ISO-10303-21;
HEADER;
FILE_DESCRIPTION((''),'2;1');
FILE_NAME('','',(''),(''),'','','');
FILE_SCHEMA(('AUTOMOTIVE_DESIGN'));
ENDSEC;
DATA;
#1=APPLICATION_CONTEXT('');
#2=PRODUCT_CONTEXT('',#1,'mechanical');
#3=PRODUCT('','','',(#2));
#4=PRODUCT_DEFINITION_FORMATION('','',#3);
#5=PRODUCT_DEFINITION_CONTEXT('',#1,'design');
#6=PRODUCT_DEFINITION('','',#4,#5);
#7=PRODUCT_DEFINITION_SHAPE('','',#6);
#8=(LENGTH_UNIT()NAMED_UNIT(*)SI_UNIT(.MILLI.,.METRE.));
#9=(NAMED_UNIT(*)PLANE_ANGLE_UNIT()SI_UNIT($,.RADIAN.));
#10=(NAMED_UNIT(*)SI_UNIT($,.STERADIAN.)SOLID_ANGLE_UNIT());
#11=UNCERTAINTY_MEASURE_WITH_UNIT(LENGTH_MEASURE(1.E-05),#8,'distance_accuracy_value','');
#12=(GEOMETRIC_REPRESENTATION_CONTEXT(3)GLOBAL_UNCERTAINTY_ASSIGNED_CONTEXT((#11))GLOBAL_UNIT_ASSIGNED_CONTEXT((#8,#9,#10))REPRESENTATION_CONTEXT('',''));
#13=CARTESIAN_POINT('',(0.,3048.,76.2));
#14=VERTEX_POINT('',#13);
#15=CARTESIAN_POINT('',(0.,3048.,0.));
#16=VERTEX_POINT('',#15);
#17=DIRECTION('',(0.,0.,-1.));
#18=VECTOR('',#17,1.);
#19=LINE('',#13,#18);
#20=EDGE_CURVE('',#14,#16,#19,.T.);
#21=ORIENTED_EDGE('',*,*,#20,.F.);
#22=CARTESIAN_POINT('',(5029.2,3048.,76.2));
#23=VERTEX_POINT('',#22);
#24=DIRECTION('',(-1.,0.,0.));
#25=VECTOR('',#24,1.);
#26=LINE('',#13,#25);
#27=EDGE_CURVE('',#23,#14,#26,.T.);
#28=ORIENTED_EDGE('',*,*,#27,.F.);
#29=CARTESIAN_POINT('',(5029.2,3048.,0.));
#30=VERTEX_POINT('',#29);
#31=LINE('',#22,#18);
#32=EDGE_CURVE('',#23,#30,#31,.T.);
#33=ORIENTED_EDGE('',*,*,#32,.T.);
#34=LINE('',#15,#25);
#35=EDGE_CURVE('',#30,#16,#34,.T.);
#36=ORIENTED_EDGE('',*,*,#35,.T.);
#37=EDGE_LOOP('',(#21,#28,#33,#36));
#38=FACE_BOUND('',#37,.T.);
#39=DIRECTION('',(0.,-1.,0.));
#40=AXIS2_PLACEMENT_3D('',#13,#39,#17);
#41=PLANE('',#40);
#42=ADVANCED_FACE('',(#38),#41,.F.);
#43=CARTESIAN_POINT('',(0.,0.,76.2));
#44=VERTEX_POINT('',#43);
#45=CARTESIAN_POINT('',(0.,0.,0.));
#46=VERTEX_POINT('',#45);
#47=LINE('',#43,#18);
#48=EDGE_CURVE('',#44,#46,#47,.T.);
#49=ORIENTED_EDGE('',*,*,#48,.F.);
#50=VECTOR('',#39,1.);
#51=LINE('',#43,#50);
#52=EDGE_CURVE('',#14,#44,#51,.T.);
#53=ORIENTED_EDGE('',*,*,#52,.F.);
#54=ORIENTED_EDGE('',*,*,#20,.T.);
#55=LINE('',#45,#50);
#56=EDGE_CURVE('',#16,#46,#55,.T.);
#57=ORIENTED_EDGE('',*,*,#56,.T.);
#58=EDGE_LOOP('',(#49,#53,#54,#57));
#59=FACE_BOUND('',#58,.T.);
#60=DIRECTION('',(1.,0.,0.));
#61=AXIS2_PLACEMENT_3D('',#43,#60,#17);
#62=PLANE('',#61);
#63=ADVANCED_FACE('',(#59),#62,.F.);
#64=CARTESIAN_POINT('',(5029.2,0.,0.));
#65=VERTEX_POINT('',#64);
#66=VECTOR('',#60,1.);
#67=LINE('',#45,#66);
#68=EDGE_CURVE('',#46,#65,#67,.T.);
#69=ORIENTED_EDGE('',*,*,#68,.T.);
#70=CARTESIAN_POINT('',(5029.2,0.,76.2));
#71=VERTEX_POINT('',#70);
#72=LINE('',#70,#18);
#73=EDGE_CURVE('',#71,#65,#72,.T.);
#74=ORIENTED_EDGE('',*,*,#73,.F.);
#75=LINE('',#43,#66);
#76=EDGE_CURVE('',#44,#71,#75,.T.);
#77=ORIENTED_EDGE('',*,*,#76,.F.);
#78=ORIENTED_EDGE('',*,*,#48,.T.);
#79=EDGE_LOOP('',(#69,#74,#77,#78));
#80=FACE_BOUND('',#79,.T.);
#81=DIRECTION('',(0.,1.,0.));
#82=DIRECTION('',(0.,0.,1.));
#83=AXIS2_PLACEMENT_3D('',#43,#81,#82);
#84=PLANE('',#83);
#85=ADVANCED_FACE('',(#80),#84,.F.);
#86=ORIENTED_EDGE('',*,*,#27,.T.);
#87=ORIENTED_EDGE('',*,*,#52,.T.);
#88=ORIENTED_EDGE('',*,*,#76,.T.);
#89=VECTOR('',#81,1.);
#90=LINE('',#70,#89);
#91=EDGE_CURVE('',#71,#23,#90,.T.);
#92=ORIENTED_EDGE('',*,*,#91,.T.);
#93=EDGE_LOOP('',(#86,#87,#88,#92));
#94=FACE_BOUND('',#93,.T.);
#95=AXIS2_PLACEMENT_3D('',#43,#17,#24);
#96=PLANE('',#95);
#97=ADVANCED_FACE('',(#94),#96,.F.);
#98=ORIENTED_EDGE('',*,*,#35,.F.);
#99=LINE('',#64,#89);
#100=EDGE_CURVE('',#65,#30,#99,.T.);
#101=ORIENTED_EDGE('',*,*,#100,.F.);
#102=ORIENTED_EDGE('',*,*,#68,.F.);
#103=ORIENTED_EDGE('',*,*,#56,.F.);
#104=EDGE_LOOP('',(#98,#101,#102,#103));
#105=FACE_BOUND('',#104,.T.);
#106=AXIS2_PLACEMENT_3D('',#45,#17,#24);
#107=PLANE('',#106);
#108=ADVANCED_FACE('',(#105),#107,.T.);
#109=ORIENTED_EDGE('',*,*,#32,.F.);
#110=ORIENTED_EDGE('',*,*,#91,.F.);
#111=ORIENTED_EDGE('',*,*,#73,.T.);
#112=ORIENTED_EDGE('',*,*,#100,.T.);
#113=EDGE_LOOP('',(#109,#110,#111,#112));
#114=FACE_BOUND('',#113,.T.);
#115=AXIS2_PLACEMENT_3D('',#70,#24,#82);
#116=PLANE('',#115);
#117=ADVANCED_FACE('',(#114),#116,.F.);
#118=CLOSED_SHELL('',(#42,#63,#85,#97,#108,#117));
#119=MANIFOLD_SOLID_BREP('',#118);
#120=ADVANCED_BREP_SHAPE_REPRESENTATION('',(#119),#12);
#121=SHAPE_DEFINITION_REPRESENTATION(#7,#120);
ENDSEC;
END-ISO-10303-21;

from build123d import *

# Parameters (mm, degrees)
SKETCH1_W           = 5029.2
SKETCH1_H           = 3048
BOSS_EXTRUDE1_DEPTH = 76.2


with BuildPart() as part:
    # Sketch1 → Boss-Extrude1 (new body)
    with BuildSketch(Plane.XY):
        with Locations((2514.6, 1524)):
            Rectangle(SKETCH1_W, SKETCH1_H)
    extrude(amount=BOSS_EXTRUDE1_DEPTH)


solid = part.part
